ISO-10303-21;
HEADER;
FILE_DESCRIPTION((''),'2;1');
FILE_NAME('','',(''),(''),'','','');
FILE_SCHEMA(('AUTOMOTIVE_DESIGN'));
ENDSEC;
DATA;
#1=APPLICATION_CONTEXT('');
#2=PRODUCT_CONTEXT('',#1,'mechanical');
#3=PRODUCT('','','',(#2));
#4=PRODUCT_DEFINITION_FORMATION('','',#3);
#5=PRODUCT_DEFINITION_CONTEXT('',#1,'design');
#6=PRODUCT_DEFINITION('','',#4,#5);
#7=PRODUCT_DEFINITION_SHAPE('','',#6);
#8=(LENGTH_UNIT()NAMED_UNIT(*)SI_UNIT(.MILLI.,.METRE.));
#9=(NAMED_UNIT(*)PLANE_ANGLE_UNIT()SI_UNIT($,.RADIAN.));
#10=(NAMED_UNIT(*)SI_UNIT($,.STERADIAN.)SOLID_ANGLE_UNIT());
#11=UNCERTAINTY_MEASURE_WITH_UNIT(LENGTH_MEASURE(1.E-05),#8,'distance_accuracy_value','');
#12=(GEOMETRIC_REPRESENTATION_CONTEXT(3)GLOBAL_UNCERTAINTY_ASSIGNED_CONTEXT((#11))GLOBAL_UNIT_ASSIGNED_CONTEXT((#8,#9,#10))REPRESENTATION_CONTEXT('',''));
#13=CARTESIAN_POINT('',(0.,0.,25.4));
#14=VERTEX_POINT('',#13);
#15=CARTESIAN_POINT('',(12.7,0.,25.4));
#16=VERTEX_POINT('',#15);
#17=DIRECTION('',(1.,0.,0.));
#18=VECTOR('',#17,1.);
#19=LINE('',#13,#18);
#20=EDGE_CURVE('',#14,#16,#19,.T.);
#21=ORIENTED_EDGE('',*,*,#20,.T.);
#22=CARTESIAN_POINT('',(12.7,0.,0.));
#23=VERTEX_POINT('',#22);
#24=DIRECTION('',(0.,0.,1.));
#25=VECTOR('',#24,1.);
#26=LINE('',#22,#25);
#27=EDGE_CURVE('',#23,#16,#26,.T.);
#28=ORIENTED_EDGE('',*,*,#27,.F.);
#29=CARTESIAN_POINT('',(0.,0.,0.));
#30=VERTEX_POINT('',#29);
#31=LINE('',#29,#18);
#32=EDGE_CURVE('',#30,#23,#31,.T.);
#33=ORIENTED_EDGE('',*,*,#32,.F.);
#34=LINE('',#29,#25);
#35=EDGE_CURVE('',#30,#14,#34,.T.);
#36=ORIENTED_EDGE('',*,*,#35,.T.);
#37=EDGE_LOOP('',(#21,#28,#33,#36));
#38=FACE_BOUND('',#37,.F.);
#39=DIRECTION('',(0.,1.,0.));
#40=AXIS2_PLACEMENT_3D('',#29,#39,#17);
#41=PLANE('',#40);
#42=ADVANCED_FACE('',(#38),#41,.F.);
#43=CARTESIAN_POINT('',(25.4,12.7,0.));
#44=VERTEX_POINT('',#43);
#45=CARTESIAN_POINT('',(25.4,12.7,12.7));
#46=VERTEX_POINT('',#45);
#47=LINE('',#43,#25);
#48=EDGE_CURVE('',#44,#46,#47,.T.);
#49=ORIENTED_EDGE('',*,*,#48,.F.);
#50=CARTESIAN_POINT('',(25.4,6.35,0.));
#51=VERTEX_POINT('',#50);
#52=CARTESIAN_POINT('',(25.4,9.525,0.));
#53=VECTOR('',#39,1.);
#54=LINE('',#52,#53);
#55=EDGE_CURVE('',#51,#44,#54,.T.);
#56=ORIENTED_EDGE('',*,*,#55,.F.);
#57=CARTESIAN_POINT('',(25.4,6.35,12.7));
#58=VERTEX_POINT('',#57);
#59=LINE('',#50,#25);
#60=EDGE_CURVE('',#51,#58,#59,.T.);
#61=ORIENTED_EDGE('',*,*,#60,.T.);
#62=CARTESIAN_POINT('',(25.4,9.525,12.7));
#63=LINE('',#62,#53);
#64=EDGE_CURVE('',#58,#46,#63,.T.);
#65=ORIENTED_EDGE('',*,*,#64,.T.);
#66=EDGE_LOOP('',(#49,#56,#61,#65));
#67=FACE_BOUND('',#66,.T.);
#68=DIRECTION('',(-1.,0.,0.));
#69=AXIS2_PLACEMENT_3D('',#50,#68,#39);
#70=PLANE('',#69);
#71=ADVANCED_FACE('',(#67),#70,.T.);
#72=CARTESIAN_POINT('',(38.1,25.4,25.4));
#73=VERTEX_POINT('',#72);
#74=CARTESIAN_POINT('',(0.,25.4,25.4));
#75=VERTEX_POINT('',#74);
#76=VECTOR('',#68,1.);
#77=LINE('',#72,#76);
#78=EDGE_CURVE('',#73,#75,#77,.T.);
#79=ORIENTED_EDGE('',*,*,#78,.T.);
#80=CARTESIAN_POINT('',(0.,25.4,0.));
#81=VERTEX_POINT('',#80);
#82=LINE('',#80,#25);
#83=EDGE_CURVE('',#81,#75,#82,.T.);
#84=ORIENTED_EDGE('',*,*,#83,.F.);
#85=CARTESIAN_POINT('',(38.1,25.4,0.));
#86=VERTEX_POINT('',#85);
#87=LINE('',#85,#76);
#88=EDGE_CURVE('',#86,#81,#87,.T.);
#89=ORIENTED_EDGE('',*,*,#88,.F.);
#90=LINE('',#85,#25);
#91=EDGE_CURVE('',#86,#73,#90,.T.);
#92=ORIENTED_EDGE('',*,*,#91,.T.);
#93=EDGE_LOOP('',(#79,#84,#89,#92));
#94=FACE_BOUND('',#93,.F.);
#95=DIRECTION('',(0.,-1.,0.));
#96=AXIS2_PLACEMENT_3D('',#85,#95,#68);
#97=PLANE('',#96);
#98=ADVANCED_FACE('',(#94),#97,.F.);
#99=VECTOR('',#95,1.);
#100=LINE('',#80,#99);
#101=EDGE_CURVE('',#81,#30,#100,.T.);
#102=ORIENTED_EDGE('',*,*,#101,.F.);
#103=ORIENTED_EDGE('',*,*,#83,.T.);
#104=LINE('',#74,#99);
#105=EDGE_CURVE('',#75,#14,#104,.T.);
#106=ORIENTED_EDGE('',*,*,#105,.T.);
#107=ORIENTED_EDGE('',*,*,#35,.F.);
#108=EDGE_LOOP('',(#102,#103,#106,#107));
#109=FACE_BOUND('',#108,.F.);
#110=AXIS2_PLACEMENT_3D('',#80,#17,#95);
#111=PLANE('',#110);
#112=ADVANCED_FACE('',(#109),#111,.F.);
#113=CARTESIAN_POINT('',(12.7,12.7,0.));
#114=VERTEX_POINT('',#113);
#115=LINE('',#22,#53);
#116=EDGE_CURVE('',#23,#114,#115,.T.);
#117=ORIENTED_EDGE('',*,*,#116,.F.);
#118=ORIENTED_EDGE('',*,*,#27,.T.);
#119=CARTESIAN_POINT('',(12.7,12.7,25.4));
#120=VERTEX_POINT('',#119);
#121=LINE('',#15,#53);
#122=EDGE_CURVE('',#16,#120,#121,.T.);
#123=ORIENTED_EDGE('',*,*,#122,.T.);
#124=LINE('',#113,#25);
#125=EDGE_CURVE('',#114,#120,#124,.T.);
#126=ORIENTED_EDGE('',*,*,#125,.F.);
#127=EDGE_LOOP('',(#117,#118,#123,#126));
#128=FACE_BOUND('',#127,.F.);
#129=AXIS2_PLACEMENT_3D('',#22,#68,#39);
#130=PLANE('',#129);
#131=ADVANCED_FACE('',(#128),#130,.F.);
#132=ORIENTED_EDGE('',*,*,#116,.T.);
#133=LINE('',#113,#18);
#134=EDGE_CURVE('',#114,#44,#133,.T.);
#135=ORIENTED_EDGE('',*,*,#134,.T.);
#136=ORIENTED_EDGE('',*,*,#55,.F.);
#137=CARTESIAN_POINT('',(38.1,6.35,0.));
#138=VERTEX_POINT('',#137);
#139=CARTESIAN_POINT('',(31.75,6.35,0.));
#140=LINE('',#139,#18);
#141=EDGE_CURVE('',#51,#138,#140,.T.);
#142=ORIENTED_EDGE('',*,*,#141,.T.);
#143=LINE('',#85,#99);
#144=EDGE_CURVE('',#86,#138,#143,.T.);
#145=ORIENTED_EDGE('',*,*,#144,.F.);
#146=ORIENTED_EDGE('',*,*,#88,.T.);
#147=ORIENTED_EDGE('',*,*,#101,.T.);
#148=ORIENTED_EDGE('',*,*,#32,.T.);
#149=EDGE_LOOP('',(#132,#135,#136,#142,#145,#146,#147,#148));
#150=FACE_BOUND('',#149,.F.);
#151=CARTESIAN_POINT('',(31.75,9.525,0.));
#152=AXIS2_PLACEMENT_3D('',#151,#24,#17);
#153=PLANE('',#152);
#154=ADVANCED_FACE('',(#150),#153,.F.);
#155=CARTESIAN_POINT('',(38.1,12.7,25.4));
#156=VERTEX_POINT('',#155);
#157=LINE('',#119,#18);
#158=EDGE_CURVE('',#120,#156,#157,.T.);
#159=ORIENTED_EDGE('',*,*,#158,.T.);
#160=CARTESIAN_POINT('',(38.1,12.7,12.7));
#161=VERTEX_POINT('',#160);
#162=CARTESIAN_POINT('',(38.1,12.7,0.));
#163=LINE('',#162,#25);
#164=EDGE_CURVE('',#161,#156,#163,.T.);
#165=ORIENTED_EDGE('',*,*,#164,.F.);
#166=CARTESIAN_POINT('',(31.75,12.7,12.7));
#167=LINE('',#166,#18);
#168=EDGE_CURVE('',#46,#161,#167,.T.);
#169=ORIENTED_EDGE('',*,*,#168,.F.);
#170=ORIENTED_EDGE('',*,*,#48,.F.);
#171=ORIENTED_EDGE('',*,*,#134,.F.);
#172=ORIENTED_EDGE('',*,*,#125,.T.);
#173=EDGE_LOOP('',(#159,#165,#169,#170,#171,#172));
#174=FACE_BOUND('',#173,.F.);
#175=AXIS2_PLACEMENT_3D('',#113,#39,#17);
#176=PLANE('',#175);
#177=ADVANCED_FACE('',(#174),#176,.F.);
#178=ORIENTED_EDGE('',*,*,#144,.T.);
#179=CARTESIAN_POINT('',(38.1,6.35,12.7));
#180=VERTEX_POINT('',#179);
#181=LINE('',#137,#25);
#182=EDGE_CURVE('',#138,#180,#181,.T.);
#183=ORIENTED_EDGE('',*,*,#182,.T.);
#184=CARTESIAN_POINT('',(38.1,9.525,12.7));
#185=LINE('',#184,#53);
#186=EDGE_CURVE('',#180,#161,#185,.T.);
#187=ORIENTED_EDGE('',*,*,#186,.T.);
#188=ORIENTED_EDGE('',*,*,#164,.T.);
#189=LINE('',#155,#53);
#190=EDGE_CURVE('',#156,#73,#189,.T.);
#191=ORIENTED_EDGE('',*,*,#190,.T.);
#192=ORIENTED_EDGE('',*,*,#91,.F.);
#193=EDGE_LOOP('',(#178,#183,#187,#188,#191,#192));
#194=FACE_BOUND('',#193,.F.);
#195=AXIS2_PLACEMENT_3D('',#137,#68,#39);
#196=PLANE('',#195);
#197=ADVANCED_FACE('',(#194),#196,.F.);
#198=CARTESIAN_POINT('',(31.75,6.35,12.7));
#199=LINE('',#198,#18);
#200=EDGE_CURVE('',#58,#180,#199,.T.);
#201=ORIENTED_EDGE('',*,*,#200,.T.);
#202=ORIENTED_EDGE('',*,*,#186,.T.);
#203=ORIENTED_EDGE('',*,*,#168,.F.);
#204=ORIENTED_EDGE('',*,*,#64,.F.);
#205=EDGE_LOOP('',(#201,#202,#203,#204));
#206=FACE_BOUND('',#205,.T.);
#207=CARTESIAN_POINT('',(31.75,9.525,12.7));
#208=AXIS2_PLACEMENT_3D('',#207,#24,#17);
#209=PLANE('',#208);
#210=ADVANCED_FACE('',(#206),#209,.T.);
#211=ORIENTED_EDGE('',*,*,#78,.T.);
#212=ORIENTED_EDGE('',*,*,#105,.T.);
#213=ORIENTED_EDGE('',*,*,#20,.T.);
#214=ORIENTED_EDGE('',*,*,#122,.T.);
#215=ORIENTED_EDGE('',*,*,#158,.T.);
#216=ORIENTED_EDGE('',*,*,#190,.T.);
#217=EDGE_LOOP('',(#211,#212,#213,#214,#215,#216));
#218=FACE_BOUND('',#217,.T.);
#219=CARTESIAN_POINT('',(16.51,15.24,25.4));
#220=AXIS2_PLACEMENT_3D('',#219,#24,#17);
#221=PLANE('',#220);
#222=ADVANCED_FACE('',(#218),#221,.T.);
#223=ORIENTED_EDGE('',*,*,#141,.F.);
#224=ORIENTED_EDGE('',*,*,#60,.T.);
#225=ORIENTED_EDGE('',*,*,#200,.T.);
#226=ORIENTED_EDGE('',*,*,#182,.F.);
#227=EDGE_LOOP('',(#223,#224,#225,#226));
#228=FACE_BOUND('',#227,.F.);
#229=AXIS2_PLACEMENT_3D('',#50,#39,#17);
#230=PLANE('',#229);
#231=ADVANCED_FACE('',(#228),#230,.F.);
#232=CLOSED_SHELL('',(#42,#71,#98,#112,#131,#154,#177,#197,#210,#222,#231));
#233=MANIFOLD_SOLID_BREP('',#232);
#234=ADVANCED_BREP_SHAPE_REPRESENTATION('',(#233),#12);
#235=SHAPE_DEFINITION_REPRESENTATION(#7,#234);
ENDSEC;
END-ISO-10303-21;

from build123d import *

# Parameters (mm, degrees)
F1_DEPTH = 25.4
F0_W     = 12.7
F0_H     = 6.35
F2_DEPTH = 12.7


with BuildPart() as f1:
    # F0 (on Top) → F1 (new body)
    with BuildSketch(Plane.XY):
        Polygon((0, 25.4), (0, 0), (12.7, 0), (12.7, 12.7), (25.4, 12.7), (38.1, 12.7), (38.1, 25.4), align=None)
    extrude(amount=F1_DEPTH)

    # F0 (on Top) → F2 (join)
    with BuildSketch(Plane.XY):
        with Locations((31.75, 9.525)):
            Rectangle(F0_W, F0_H)
    extrude(amount=F2_DEPTH)


solid = f1.part
